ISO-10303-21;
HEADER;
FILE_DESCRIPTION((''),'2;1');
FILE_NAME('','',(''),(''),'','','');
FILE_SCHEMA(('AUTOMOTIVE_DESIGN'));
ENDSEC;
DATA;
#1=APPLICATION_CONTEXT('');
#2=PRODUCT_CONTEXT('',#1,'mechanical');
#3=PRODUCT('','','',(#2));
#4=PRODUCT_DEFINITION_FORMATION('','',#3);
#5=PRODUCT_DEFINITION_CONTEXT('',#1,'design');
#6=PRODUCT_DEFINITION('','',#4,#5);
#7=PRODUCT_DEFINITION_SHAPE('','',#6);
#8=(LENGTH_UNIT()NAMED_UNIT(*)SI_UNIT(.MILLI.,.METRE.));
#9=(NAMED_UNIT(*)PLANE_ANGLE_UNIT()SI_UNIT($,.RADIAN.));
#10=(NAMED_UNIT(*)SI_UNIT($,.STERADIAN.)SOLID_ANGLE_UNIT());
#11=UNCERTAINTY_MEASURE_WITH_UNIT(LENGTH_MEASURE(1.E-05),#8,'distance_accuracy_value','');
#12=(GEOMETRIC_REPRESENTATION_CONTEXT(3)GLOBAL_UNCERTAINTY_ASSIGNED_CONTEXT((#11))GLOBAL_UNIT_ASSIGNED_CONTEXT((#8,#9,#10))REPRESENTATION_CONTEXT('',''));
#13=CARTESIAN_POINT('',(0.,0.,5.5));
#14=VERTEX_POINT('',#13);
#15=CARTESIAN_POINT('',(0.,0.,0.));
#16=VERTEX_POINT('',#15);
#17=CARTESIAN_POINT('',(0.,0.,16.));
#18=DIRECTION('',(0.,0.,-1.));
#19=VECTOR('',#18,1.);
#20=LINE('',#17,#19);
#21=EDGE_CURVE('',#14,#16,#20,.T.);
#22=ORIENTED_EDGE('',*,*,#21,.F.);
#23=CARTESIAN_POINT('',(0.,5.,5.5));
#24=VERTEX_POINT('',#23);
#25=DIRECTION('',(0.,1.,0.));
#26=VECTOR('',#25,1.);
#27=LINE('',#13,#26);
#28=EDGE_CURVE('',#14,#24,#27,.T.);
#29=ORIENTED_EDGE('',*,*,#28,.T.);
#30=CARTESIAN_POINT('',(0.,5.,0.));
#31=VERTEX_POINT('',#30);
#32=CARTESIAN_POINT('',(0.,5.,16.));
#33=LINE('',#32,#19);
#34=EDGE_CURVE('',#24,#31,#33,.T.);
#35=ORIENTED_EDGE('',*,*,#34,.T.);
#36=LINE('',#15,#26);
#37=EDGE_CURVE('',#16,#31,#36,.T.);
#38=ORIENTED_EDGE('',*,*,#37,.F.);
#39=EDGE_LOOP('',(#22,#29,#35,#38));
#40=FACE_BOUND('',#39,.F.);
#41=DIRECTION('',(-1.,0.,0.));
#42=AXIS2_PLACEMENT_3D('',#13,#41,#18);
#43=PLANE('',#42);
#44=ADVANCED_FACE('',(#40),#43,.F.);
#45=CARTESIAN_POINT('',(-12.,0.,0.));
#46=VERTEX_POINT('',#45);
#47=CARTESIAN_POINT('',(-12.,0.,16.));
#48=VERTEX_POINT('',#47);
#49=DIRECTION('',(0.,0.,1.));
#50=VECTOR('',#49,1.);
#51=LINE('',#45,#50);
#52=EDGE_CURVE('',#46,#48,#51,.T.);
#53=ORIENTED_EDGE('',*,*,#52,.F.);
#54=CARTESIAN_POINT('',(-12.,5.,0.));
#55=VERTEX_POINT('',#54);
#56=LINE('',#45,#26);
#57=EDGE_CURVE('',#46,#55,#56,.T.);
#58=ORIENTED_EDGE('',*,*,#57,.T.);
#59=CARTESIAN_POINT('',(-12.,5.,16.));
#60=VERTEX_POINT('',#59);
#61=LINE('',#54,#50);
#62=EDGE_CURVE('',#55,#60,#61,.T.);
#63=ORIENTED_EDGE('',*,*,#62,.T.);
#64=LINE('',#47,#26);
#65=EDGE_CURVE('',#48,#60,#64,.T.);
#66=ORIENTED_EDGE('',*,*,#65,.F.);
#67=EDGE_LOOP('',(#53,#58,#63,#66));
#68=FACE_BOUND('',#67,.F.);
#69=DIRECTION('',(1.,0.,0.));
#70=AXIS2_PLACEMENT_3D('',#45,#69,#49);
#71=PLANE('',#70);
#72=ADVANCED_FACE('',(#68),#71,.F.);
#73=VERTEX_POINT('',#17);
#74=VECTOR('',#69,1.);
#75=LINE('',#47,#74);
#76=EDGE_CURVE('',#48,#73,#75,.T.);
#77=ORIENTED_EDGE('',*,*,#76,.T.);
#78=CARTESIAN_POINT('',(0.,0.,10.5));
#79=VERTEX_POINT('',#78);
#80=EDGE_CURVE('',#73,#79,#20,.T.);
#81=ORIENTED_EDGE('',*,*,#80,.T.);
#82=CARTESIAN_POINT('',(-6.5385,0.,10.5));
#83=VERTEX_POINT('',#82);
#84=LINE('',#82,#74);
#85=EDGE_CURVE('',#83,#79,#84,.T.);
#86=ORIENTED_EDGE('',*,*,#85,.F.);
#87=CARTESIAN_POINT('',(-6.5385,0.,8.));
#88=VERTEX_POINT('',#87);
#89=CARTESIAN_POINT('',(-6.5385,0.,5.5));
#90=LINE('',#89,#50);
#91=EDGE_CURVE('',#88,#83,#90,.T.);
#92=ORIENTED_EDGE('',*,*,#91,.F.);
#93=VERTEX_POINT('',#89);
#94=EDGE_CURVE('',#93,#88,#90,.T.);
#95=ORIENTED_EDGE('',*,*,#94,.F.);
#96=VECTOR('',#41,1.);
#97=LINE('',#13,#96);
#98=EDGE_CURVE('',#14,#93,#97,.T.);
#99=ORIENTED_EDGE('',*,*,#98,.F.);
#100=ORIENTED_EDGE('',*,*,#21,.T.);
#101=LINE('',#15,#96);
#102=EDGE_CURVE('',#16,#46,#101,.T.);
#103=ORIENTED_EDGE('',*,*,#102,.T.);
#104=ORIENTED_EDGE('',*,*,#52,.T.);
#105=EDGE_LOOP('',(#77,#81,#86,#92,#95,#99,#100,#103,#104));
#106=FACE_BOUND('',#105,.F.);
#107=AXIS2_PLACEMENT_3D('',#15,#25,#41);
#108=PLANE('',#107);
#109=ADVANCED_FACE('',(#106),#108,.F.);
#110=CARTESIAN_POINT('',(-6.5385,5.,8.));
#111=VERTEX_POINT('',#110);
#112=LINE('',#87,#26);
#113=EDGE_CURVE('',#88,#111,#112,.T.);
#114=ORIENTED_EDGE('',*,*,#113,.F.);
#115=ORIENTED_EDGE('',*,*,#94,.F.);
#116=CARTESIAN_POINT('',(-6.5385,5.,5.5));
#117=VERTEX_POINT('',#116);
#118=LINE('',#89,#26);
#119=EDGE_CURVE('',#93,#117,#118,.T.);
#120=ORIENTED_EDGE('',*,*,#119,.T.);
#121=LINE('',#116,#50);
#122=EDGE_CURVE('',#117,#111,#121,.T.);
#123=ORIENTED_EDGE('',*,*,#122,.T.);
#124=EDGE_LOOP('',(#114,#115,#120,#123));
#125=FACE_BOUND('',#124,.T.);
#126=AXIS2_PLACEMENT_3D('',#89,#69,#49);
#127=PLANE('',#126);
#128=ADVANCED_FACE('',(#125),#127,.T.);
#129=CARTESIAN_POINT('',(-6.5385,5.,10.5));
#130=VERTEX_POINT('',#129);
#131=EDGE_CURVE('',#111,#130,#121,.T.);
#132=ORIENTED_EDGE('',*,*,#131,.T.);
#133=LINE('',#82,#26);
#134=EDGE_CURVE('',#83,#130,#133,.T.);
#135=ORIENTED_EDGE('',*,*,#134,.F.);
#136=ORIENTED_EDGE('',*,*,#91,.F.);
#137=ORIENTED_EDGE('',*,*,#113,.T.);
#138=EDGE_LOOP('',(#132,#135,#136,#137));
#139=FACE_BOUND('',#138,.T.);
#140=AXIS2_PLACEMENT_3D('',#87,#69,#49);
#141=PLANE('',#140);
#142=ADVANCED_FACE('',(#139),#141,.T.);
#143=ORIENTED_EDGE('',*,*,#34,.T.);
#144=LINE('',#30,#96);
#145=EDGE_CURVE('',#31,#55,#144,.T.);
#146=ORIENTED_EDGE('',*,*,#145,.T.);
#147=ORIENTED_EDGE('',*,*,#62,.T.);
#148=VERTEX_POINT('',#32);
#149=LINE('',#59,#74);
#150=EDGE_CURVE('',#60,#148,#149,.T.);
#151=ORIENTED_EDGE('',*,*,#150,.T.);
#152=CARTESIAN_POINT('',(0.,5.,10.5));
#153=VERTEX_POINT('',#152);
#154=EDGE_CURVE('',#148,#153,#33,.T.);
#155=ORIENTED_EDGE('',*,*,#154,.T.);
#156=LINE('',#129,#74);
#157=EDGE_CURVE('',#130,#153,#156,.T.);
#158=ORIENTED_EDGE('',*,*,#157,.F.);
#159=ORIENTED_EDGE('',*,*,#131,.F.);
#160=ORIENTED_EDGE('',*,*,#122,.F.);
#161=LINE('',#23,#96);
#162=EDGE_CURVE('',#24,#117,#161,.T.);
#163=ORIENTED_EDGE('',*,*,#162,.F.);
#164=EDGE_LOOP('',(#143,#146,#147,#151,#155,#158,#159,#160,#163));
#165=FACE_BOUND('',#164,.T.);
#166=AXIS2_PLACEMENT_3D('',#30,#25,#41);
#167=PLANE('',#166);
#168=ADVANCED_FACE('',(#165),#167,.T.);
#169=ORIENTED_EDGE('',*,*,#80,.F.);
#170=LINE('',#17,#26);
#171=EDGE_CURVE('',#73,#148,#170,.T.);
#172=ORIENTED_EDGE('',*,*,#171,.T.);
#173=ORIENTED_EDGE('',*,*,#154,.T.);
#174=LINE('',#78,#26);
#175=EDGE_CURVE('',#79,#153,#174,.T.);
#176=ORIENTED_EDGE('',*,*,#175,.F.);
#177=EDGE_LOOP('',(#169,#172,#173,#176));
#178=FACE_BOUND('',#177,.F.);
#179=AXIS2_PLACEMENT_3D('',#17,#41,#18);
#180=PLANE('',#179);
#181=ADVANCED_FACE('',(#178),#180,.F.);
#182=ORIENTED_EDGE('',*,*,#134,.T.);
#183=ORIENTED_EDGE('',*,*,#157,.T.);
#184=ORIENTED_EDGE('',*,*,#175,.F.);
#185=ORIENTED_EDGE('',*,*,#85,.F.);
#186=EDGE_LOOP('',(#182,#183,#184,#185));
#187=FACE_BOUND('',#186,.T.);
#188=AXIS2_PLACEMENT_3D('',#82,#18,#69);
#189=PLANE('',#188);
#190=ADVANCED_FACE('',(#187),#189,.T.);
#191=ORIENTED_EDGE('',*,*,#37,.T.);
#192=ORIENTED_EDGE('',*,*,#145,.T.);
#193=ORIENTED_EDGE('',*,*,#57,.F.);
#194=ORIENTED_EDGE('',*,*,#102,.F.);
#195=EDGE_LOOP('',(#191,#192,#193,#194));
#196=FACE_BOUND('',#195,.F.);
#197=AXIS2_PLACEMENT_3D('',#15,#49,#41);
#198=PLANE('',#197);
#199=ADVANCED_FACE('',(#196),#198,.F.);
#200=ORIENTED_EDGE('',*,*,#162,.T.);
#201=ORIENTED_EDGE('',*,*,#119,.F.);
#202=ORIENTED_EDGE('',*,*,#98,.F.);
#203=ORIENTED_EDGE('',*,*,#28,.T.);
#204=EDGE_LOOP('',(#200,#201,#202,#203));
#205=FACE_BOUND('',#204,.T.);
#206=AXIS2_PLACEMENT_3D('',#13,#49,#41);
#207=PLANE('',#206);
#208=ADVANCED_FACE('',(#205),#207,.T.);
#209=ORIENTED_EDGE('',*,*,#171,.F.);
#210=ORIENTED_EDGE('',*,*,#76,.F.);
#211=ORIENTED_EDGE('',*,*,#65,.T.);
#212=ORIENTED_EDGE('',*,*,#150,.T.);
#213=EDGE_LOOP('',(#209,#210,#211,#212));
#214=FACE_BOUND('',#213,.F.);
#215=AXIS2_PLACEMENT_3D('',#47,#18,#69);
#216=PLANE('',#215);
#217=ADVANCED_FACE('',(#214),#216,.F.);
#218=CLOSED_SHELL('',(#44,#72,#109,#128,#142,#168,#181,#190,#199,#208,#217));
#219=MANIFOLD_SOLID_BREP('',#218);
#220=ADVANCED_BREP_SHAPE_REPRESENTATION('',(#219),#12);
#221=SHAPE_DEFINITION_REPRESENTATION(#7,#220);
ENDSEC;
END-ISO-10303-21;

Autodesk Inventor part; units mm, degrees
ref_plane "YZ Plane" through (0, 0, 0) normal (1, 0, 0) x (0, 1, 0)
ref_plane "XZ Plane" through (0, 0, 0) normal (0, 1, 0) x (-1, 0, 0)
ref_plane "XY Plane" through (0, 0, 0) normal (0, 0, 1) x (1, 0, 0)
sketch "Sketch1" plane through (0, 0, 0) normal (0, 1, 0) x (-1, 0, 0)
  line L0 (0, 0) -> (12, 0)
  line L1 (12, 0) -> (12, 16)
  line L2 (12, 16) -> (0, 16)
  line L3 (0, 16) -> (0, 0)
  line L4 (0, 5.5) -> (6.5385, 5.5)
  line L5 (6.5385, 5.5) -> (6.5385, 10.5)
  line L6 (6.5385, 10.5) -> (0, 10.5)
  line L7 (0, 10.5) -> (0, 5.5)
  line L8 (7.6283, 8) -> (-1.5257, 8)
  dimension "d2" = 5
  dimension "d3" = 12
  dimension "d4" = 8
  dimension "d5" = 16
extrude "Extrusion1" add sketch "Sketch1" along normal blind 5 contours L3 L4 L5 L6 L2 L1 L0
properties part number "stopper"
